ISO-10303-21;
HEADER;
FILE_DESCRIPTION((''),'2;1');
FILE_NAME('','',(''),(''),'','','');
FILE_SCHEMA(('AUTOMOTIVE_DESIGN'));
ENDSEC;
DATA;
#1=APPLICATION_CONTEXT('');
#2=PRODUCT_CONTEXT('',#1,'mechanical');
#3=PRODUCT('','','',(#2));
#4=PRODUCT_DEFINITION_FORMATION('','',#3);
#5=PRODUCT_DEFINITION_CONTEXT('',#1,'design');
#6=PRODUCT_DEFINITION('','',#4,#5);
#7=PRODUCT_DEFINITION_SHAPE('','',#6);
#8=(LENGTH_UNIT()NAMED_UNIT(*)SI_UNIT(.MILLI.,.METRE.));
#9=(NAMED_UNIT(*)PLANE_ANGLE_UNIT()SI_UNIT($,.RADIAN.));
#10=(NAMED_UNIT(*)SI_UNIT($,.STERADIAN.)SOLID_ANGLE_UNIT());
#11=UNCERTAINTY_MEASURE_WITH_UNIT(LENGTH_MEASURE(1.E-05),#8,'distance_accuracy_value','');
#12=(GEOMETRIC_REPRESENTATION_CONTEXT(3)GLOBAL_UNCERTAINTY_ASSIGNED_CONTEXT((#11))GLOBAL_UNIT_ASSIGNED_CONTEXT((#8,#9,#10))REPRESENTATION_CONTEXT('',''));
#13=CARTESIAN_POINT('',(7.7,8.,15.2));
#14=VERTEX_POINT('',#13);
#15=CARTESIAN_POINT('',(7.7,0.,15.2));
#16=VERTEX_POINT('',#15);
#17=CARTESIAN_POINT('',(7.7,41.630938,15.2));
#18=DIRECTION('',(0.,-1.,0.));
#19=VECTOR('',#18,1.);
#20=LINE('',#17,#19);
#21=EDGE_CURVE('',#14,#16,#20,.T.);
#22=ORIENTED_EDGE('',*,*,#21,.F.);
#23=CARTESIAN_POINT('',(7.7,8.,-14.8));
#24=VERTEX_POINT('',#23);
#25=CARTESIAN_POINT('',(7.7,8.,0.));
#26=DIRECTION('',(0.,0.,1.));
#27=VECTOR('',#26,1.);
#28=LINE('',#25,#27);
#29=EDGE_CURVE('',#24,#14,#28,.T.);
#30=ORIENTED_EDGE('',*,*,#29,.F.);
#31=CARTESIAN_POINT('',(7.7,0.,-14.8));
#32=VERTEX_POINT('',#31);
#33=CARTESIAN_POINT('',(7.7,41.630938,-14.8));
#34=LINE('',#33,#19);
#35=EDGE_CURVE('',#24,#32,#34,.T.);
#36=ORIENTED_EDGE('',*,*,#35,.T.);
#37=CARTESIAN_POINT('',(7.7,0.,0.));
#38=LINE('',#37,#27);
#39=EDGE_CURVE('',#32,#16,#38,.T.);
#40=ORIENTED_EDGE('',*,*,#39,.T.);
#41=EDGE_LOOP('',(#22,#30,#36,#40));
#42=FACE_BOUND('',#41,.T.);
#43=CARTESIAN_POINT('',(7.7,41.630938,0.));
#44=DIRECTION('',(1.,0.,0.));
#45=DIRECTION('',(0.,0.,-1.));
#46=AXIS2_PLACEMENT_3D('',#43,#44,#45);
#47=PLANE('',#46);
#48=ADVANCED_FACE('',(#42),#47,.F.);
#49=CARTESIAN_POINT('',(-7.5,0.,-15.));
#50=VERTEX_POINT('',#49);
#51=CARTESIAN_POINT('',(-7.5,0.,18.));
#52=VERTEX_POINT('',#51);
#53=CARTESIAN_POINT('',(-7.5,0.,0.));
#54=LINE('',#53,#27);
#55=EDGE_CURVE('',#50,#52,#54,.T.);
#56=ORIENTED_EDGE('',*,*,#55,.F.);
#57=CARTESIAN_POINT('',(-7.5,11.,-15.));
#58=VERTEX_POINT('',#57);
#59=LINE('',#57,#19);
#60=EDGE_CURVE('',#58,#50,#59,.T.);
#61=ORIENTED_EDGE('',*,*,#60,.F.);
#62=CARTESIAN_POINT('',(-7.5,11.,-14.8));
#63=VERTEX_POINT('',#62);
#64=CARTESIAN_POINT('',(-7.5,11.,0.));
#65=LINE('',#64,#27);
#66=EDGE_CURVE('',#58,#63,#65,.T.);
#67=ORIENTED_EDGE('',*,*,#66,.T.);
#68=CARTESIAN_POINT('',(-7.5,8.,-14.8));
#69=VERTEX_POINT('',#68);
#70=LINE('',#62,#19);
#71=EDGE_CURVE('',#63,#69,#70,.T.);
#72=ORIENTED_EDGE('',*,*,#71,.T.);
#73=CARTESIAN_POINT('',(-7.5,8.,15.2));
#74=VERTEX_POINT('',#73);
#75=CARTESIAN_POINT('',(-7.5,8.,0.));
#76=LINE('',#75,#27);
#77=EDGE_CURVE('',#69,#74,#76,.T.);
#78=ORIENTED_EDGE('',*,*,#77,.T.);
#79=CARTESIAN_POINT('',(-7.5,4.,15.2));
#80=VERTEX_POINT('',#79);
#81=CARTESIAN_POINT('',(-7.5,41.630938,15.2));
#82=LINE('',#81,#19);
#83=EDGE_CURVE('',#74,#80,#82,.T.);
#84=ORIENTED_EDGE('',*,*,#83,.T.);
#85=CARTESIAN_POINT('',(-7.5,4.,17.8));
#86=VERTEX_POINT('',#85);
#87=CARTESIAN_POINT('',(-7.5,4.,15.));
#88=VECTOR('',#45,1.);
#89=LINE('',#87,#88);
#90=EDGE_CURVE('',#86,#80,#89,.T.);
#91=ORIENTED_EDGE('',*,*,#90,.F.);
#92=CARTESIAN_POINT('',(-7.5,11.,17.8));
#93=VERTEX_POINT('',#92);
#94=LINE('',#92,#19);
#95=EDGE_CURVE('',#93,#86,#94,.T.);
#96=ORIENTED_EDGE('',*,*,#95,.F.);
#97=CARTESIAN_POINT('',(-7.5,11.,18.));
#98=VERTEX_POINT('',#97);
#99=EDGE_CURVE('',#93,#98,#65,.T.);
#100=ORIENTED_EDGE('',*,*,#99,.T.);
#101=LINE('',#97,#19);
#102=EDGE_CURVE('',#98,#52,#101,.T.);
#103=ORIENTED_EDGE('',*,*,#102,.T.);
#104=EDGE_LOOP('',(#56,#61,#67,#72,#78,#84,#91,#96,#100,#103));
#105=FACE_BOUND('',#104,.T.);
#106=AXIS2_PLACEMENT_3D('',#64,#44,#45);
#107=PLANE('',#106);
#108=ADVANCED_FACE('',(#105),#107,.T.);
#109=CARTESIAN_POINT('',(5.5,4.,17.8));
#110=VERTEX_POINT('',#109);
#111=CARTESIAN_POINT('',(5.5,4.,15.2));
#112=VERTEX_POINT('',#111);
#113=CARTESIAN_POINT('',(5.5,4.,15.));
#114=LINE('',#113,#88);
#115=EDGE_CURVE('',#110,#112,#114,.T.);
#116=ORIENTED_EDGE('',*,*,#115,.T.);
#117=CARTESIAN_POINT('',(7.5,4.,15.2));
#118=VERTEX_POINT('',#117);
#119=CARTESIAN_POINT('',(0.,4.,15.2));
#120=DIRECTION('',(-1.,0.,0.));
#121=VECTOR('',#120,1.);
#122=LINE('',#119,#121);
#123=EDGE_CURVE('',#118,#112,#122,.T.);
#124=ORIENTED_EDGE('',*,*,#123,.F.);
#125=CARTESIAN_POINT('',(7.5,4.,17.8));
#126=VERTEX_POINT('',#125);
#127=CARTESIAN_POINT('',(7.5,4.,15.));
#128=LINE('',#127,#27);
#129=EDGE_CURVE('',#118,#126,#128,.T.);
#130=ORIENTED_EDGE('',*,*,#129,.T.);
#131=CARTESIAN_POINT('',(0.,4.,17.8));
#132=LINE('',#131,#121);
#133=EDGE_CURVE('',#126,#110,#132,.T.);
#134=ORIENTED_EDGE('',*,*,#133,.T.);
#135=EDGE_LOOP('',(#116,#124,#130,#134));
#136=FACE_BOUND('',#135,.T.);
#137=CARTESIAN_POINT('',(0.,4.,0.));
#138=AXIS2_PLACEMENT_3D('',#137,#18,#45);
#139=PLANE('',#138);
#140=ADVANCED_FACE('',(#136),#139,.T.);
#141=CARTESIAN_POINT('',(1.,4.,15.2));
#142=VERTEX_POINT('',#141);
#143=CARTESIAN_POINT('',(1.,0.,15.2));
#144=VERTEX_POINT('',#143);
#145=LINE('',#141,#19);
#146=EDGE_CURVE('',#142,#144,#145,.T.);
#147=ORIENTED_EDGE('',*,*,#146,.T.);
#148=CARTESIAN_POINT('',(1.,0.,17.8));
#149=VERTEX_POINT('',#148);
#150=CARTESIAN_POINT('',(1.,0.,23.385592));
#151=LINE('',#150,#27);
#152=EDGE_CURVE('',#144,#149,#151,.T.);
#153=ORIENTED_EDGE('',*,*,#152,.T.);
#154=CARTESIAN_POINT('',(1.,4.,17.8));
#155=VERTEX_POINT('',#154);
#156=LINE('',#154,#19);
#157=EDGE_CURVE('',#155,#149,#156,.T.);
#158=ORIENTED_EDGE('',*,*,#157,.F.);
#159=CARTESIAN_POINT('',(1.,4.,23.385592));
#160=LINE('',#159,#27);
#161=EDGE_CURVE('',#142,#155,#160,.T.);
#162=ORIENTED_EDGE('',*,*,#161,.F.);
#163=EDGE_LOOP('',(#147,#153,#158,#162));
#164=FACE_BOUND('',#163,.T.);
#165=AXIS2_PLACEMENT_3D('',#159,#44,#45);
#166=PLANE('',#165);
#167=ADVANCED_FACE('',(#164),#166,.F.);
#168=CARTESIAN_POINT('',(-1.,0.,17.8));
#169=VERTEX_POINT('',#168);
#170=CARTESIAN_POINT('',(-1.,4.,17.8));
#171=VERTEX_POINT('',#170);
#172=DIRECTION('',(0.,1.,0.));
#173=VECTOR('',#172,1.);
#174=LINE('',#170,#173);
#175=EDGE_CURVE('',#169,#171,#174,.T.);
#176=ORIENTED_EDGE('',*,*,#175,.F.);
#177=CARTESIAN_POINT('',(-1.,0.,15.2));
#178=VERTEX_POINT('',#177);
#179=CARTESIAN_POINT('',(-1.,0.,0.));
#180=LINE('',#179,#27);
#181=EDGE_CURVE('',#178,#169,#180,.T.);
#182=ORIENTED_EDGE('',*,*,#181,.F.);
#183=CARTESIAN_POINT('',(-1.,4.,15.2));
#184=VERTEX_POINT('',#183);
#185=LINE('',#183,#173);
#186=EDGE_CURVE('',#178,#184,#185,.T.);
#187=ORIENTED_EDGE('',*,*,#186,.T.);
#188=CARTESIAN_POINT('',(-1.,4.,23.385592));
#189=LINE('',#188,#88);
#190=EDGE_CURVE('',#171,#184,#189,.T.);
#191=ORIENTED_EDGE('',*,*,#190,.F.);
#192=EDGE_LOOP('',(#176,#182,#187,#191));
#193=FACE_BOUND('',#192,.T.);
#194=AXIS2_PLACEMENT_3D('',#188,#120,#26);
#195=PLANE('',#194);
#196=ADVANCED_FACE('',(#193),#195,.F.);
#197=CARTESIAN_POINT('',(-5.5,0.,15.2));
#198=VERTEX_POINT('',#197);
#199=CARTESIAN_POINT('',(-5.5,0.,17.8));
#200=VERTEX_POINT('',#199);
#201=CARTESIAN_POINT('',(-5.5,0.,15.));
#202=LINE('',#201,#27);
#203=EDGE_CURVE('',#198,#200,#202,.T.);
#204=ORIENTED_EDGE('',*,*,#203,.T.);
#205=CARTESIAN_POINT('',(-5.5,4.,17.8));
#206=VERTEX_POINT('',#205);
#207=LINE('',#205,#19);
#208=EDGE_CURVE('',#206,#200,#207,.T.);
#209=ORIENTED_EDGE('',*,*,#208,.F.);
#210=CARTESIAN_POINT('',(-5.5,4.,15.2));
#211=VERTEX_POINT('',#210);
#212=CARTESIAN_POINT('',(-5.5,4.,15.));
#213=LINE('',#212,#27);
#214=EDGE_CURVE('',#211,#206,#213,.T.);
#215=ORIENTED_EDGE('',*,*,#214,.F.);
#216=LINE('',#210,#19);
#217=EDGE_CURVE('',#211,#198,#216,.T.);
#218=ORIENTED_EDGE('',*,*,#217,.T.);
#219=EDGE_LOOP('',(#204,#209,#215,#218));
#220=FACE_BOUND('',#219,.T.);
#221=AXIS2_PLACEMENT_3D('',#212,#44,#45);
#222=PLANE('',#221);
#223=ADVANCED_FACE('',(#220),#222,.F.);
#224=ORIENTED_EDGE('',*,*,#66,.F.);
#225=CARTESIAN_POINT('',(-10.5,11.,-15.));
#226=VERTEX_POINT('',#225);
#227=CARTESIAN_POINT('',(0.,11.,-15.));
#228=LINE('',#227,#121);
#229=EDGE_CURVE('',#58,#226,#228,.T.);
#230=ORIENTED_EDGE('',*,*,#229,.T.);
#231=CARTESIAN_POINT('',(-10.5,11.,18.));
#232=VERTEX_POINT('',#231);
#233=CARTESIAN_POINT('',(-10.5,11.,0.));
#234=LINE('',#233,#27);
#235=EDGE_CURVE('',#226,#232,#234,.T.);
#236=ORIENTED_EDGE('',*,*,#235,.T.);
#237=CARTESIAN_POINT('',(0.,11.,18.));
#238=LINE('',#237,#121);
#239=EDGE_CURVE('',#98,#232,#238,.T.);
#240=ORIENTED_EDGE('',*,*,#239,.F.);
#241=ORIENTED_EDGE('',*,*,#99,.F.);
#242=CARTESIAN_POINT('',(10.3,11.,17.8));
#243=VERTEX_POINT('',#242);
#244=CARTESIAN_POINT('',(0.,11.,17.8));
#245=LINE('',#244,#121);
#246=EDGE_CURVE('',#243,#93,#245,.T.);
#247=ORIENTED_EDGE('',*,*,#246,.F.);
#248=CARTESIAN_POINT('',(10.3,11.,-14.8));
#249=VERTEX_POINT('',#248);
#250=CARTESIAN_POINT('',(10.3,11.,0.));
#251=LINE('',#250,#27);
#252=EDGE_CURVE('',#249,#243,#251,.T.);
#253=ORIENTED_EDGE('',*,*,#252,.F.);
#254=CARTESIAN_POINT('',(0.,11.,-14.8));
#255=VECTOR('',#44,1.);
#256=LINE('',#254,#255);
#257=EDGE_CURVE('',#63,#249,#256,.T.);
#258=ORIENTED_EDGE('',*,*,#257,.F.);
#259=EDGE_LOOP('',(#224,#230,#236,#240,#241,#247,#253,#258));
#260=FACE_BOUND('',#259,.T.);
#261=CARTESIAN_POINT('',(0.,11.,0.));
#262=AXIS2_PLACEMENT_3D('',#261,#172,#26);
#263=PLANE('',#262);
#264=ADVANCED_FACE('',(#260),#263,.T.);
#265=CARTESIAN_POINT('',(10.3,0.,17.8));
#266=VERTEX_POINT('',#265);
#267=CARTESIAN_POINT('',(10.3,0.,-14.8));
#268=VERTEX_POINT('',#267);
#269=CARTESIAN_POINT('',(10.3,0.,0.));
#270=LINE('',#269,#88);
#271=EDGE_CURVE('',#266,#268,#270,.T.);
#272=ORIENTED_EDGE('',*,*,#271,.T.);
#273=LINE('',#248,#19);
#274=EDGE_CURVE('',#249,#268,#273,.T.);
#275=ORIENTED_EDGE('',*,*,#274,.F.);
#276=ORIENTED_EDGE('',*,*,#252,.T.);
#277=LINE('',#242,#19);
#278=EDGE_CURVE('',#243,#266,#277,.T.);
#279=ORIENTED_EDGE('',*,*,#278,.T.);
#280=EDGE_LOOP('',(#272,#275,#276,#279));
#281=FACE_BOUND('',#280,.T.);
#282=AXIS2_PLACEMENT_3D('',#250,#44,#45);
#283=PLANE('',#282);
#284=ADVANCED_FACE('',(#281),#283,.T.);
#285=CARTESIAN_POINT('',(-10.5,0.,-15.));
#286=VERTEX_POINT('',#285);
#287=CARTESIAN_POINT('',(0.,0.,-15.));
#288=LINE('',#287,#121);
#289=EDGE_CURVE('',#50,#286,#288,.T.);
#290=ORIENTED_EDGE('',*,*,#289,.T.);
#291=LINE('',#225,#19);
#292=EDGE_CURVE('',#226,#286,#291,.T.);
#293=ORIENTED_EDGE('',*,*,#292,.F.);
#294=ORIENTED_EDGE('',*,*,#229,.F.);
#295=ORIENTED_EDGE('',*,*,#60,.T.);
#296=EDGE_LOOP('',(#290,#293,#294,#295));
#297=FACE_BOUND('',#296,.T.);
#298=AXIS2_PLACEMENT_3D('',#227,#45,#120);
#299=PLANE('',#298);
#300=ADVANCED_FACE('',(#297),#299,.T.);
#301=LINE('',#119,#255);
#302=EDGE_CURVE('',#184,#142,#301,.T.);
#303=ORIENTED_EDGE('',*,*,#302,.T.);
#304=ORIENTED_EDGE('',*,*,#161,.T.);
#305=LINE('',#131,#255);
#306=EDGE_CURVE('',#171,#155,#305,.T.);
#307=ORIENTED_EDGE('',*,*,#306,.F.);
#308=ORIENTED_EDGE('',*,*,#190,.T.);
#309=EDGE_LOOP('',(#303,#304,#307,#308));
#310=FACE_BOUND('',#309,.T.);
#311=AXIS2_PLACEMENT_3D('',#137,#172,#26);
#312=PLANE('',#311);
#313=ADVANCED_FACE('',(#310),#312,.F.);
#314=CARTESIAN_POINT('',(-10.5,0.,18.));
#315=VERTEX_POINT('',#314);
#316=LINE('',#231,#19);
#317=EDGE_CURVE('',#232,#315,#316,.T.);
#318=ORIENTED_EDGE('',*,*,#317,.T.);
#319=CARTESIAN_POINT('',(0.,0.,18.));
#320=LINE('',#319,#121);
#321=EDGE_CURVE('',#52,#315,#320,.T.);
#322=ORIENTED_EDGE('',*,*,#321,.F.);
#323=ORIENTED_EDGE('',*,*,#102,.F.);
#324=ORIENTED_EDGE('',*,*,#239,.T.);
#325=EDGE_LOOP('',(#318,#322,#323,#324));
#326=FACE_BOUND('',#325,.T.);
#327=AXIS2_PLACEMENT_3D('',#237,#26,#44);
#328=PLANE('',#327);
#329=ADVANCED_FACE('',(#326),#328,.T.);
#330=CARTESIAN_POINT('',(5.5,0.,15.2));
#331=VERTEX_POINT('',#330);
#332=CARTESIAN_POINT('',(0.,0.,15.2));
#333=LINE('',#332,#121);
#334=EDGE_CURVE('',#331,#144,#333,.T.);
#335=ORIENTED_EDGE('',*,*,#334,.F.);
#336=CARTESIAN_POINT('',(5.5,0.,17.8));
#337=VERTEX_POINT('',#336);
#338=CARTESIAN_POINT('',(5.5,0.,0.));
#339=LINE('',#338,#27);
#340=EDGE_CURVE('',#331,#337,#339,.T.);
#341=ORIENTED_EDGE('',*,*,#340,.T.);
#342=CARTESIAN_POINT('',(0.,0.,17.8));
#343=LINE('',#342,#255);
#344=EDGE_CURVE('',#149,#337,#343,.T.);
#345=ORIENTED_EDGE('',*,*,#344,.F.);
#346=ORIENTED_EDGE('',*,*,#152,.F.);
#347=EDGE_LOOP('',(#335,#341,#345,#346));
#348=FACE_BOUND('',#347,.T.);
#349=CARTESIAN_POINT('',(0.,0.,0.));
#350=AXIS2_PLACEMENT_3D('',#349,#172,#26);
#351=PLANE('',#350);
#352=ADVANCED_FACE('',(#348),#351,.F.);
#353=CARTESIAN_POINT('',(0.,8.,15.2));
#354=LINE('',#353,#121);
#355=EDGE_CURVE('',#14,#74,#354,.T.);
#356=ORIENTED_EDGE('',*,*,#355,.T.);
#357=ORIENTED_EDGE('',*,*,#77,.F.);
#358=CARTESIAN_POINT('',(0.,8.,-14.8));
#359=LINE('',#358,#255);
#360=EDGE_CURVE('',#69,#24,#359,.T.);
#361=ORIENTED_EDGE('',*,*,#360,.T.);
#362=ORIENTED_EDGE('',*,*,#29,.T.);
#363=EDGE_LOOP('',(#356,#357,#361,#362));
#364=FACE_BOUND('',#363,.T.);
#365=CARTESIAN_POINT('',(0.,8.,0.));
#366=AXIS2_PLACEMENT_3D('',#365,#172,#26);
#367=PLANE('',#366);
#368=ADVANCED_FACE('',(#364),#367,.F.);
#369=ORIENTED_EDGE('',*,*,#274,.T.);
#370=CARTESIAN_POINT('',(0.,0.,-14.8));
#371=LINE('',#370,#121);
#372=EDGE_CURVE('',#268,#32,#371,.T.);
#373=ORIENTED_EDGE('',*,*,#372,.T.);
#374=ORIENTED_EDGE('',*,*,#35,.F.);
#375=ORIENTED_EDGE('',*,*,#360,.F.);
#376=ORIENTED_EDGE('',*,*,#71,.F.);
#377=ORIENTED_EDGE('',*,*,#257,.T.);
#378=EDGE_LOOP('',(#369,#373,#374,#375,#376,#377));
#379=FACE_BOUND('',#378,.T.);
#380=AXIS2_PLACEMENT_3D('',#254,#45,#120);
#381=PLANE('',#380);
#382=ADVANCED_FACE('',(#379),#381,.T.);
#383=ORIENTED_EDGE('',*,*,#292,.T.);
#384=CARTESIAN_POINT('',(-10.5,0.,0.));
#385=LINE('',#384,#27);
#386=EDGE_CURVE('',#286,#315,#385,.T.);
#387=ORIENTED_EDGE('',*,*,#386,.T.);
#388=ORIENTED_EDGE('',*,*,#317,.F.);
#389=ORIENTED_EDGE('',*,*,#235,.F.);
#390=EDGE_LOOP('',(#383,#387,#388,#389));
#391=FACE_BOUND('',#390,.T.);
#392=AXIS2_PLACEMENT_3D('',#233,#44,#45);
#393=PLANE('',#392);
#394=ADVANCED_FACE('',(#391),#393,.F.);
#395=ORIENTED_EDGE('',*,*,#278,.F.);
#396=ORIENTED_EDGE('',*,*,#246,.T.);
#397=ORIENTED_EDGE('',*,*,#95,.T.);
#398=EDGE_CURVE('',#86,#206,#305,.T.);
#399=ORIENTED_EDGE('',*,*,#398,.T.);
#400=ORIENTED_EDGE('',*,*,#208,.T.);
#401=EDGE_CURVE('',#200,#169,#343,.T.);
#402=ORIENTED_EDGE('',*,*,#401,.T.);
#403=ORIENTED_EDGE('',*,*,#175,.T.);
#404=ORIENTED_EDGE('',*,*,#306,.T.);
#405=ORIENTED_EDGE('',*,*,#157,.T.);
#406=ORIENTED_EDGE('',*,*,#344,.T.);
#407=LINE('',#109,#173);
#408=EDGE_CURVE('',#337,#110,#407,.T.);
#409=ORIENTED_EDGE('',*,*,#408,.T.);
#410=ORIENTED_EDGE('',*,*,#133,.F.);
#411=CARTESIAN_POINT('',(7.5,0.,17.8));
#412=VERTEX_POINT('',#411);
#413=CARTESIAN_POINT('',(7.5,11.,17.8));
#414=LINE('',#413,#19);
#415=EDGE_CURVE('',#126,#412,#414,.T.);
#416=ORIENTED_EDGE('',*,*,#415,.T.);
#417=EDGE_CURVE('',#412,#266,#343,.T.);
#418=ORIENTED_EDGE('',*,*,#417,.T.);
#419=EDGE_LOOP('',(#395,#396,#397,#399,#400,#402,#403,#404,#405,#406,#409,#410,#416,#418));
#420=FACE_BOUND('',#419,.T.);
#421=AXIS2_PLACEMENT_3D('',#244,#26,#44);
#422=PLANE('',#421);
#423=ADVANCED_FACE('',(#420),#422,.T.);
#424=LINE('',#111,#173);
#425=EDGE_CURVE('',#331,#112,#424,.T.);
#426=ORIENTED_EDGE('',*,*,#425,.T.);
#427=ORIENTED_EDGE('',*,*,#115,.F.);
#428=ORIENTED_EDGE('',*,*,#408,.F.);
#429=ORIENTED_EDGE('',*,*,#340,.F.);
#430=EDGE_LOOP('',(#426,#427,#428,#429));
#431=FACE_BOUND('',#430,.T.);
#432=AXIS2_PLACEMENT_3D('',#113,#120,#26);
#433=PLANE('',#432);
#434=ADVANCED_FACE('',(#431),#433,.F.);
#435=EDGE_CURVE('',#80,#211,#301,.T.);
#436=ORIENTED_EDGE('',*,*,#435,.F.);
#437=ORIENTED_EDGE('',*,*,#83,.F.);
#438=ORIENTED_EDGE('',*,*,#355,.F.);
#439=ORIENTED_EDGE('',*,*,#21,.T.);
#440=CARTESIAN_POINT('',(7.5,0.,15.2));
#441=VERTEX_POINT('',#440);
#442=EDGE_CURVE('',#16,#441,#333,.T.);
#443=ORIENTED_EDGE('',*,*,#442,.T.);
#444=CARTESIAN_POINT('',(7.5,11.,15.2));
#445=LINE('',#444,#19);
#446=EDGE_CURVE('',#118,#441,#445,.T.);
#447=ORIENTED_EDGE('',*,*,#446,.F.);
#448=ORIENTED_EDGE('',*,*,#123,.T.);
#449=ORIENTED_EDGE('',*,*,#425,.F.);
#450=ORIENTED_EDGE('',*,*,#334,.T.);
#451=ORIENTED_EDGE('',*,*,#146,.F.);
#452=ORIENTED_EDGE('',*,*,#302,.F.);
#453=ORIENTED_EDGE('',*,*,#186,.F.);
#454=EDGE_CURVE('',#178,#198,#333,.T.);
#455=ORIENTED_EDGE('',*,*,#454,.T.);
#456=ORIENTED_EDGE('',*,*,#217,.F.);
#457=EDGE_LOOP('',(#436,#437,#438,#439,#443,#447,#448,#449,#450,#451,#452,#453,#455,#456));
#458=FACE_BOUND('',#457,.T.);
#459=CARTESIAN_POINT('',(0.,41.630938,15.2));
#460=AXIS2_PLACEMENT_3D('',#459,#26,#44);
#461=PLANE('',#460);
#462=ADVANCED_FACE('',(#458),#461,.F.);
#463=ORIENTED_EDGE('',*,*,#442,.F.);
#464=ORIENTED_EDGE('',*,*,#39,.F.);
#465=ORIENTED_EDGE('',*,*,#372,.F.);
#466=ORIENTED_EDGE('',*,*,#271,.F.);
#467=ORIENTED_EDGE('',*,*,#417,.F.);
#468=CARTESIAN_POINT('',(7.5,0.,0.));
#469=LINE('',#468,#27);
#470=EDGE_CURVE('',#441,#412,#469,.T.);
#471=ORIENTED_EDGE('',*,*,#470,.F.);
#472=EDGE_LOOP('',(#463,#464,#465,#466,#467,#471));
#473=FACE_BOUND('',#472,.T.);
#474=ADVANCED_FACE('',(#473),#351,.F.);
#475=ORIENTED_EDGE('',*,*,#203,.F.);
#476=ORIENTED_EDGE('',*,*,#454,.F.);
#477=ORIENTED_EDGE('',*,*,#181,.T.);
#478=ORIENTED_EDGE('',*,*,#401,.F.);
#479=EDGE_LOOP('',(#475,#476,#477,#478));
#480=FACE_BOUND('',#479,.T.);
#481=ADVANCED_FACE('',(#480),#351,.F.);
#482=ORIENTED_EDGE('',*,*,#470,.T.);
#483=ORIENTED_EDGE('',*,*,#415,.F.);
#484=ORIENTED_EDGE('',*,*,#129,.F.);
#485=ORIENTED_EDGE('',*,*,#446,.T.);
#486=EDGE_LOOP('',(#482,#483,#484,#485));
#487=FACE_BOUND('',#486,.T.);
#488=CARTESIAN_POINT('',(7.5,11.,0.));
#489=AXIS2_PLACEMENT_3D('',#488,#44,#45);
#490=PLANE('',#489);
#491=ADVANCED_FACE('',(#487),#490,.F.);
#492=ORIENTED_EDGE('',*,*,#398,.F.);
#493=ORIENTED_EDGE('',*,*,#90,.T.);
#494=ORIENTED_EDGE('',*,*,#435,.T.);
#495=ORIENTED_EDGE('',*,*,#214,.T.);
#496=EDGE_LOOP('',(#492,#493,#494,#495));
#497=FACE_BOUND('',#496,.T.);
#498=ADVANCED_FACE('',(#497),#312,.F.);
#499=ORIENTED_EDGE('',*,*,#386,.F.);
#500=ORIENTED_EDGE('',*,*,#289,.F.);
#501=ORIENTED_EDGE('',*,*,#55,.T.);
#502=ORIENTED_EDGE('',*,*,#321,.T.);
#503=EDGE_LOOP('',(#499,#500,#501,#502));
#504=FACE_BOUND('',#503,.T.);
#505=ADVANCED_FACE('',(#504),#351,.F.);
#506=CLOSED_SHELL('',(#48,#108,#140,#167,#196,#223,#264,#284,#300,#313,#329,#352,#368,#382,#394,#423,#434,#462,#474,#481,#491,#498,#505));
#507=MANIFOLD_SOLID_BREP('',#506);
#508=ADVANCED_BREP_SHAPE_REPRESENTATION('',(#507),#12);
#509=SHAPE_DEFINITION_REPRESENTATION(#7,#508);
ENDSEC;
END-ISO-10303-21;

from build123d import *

# Parameters (mm, degrees)
BOSS_EXTRUDE1_DEPTH     = 11
SKETCH2_W               = 21
SKETCH2_H               = 33
BOSS_EXTRUDE2_DEPTH     = 3
SKETCH3_W               = 2
SKETCH3_H               = 4.664590192
SKETCH3_H_2             = 8.385591547
SKETCH3_H_3             = 5.091451809
CUT_EXTRUDE1_DEPTH      = 4
CUT_EXTRUDE2_REACH      = 25.564
SKETCH4_W               = 15.2
SKETCH4_H               = 30
CUT_EXTRUDE3_DEPTH      = 24.563743336
CUT_EXTRUDE3_DEPTH_BACK = 24.563743336
SKETCH4_3_W             = 43.430774682
SKETCH4_3_H             = 55.651594456


with BuildPart() as part:
    # Sketch1 → Boss-Extrude1 (new body)
    with BuildSketch(Plane(origin=(0, 0, 0), x_dir=(1, 0, 0), z_dir=(0, 1, 0))):
        Polygon((10.5, 15), (7.5, 15), (7.5, -15), (-7.5, -15), (-7.5, 15), (-10.5, 15), (-10.5, -18), (10.5, -18), align=None)
    extrude(amount=BOSS_EXTRUDE1_DEPTH)

    # Sketch2 → Boss-Extrude2 (add)
    with BuildSketch(Plane(origin=(0, 11, 0), x_dir=(1, 0, 0), z_dir=(0, 1, 0))):
        with Locations((0, -1.5)):
            Rectangle(SKETCH2_W, SKETCH2_H)
    extrude(amount=-BOSS_EXTRUDE2_DEPTH)

    # Sketch3 → Cut-Extrude1 (cut)
    with BuildSketch(Plane.XZ):
        with Locations((-6.5, 17.332295096)):
            Rectangle(SKETCH3_W, SKETCH3_H)
        with Locations((0, 19.192795774)):
            Rectangle(SKETCH3_W, SKETCH3_H_2)
        with Locations((6.5, 17.545725905)):
            Rectangle(SKETCH3_W, SKETCH3_H_3)
    extrude(amount=-CUT_EXTRUDE1_DEPTH, mode=Mode.SUBTRACT)

    # Cut-Extrude2: up to this face of the body (flat: up to its plane)
    cut_extrude2_end = Plane(part.part.faces().sort_by_distance((0, 8, 0))[0])
    # Sketch4 → Cut-Extrude2 (cut, up to the picked face)
    with BuildSketch(Plane.XZ, mode=Mode.PRIVATE) as cut_extrude2_sk1:
        with Locations((0.1, 0.2)):
            Rectangle(SKETCH4_W, SKETCH4_H)
    cut_extrude2_tool1 = split(extrude(cut_extrude2_sk1.sketch, amount=-CUT_EXTRUDE2_REACH, mode=Mode.PRIVATE), bisect_by=cut_extrude2_end, keep=Keep.BOTH, mode=Mode.PRIVATE)
    add(cut_extrude2_tool1.solids().sort_by(Axis((0.1, 0, 0.2), (0, 1, 0)))[0], mode=Mode.SUBTRACT)

    # Sketch4<3> → Cut-Extrude3 (cut, two sides: drawn at the far end of the back side and taken through both)
    with BuildSketch(Plane.XZ.offset(-CUT_EXTRUDE3_DEPTH_BACK)):
        Rectangle(SKETCH4_3_W, SKETCH4_3_H)
        Polygon((10.3, -14.8), (7.7, -14.8), (-7.5, -14.8), (-7.5, -15), (-10.5, -15), (-10.5, 18), (-7.5, 18), (-7.5, 17.8), (-5.5, 17.8), (-1, 17.8), (1, 17.8), (5.5, 17.8), (7.5, 17.8), (10.3, 17.8), align=None, mode=Mode.SUBTRACT)
    extrude(amount=CUT_EXTRUDE3_DEPTH + CUT_EXTRUDE3_DEPTH_BACK, mode=Mode.SUBTRACT)


solid = part.part
